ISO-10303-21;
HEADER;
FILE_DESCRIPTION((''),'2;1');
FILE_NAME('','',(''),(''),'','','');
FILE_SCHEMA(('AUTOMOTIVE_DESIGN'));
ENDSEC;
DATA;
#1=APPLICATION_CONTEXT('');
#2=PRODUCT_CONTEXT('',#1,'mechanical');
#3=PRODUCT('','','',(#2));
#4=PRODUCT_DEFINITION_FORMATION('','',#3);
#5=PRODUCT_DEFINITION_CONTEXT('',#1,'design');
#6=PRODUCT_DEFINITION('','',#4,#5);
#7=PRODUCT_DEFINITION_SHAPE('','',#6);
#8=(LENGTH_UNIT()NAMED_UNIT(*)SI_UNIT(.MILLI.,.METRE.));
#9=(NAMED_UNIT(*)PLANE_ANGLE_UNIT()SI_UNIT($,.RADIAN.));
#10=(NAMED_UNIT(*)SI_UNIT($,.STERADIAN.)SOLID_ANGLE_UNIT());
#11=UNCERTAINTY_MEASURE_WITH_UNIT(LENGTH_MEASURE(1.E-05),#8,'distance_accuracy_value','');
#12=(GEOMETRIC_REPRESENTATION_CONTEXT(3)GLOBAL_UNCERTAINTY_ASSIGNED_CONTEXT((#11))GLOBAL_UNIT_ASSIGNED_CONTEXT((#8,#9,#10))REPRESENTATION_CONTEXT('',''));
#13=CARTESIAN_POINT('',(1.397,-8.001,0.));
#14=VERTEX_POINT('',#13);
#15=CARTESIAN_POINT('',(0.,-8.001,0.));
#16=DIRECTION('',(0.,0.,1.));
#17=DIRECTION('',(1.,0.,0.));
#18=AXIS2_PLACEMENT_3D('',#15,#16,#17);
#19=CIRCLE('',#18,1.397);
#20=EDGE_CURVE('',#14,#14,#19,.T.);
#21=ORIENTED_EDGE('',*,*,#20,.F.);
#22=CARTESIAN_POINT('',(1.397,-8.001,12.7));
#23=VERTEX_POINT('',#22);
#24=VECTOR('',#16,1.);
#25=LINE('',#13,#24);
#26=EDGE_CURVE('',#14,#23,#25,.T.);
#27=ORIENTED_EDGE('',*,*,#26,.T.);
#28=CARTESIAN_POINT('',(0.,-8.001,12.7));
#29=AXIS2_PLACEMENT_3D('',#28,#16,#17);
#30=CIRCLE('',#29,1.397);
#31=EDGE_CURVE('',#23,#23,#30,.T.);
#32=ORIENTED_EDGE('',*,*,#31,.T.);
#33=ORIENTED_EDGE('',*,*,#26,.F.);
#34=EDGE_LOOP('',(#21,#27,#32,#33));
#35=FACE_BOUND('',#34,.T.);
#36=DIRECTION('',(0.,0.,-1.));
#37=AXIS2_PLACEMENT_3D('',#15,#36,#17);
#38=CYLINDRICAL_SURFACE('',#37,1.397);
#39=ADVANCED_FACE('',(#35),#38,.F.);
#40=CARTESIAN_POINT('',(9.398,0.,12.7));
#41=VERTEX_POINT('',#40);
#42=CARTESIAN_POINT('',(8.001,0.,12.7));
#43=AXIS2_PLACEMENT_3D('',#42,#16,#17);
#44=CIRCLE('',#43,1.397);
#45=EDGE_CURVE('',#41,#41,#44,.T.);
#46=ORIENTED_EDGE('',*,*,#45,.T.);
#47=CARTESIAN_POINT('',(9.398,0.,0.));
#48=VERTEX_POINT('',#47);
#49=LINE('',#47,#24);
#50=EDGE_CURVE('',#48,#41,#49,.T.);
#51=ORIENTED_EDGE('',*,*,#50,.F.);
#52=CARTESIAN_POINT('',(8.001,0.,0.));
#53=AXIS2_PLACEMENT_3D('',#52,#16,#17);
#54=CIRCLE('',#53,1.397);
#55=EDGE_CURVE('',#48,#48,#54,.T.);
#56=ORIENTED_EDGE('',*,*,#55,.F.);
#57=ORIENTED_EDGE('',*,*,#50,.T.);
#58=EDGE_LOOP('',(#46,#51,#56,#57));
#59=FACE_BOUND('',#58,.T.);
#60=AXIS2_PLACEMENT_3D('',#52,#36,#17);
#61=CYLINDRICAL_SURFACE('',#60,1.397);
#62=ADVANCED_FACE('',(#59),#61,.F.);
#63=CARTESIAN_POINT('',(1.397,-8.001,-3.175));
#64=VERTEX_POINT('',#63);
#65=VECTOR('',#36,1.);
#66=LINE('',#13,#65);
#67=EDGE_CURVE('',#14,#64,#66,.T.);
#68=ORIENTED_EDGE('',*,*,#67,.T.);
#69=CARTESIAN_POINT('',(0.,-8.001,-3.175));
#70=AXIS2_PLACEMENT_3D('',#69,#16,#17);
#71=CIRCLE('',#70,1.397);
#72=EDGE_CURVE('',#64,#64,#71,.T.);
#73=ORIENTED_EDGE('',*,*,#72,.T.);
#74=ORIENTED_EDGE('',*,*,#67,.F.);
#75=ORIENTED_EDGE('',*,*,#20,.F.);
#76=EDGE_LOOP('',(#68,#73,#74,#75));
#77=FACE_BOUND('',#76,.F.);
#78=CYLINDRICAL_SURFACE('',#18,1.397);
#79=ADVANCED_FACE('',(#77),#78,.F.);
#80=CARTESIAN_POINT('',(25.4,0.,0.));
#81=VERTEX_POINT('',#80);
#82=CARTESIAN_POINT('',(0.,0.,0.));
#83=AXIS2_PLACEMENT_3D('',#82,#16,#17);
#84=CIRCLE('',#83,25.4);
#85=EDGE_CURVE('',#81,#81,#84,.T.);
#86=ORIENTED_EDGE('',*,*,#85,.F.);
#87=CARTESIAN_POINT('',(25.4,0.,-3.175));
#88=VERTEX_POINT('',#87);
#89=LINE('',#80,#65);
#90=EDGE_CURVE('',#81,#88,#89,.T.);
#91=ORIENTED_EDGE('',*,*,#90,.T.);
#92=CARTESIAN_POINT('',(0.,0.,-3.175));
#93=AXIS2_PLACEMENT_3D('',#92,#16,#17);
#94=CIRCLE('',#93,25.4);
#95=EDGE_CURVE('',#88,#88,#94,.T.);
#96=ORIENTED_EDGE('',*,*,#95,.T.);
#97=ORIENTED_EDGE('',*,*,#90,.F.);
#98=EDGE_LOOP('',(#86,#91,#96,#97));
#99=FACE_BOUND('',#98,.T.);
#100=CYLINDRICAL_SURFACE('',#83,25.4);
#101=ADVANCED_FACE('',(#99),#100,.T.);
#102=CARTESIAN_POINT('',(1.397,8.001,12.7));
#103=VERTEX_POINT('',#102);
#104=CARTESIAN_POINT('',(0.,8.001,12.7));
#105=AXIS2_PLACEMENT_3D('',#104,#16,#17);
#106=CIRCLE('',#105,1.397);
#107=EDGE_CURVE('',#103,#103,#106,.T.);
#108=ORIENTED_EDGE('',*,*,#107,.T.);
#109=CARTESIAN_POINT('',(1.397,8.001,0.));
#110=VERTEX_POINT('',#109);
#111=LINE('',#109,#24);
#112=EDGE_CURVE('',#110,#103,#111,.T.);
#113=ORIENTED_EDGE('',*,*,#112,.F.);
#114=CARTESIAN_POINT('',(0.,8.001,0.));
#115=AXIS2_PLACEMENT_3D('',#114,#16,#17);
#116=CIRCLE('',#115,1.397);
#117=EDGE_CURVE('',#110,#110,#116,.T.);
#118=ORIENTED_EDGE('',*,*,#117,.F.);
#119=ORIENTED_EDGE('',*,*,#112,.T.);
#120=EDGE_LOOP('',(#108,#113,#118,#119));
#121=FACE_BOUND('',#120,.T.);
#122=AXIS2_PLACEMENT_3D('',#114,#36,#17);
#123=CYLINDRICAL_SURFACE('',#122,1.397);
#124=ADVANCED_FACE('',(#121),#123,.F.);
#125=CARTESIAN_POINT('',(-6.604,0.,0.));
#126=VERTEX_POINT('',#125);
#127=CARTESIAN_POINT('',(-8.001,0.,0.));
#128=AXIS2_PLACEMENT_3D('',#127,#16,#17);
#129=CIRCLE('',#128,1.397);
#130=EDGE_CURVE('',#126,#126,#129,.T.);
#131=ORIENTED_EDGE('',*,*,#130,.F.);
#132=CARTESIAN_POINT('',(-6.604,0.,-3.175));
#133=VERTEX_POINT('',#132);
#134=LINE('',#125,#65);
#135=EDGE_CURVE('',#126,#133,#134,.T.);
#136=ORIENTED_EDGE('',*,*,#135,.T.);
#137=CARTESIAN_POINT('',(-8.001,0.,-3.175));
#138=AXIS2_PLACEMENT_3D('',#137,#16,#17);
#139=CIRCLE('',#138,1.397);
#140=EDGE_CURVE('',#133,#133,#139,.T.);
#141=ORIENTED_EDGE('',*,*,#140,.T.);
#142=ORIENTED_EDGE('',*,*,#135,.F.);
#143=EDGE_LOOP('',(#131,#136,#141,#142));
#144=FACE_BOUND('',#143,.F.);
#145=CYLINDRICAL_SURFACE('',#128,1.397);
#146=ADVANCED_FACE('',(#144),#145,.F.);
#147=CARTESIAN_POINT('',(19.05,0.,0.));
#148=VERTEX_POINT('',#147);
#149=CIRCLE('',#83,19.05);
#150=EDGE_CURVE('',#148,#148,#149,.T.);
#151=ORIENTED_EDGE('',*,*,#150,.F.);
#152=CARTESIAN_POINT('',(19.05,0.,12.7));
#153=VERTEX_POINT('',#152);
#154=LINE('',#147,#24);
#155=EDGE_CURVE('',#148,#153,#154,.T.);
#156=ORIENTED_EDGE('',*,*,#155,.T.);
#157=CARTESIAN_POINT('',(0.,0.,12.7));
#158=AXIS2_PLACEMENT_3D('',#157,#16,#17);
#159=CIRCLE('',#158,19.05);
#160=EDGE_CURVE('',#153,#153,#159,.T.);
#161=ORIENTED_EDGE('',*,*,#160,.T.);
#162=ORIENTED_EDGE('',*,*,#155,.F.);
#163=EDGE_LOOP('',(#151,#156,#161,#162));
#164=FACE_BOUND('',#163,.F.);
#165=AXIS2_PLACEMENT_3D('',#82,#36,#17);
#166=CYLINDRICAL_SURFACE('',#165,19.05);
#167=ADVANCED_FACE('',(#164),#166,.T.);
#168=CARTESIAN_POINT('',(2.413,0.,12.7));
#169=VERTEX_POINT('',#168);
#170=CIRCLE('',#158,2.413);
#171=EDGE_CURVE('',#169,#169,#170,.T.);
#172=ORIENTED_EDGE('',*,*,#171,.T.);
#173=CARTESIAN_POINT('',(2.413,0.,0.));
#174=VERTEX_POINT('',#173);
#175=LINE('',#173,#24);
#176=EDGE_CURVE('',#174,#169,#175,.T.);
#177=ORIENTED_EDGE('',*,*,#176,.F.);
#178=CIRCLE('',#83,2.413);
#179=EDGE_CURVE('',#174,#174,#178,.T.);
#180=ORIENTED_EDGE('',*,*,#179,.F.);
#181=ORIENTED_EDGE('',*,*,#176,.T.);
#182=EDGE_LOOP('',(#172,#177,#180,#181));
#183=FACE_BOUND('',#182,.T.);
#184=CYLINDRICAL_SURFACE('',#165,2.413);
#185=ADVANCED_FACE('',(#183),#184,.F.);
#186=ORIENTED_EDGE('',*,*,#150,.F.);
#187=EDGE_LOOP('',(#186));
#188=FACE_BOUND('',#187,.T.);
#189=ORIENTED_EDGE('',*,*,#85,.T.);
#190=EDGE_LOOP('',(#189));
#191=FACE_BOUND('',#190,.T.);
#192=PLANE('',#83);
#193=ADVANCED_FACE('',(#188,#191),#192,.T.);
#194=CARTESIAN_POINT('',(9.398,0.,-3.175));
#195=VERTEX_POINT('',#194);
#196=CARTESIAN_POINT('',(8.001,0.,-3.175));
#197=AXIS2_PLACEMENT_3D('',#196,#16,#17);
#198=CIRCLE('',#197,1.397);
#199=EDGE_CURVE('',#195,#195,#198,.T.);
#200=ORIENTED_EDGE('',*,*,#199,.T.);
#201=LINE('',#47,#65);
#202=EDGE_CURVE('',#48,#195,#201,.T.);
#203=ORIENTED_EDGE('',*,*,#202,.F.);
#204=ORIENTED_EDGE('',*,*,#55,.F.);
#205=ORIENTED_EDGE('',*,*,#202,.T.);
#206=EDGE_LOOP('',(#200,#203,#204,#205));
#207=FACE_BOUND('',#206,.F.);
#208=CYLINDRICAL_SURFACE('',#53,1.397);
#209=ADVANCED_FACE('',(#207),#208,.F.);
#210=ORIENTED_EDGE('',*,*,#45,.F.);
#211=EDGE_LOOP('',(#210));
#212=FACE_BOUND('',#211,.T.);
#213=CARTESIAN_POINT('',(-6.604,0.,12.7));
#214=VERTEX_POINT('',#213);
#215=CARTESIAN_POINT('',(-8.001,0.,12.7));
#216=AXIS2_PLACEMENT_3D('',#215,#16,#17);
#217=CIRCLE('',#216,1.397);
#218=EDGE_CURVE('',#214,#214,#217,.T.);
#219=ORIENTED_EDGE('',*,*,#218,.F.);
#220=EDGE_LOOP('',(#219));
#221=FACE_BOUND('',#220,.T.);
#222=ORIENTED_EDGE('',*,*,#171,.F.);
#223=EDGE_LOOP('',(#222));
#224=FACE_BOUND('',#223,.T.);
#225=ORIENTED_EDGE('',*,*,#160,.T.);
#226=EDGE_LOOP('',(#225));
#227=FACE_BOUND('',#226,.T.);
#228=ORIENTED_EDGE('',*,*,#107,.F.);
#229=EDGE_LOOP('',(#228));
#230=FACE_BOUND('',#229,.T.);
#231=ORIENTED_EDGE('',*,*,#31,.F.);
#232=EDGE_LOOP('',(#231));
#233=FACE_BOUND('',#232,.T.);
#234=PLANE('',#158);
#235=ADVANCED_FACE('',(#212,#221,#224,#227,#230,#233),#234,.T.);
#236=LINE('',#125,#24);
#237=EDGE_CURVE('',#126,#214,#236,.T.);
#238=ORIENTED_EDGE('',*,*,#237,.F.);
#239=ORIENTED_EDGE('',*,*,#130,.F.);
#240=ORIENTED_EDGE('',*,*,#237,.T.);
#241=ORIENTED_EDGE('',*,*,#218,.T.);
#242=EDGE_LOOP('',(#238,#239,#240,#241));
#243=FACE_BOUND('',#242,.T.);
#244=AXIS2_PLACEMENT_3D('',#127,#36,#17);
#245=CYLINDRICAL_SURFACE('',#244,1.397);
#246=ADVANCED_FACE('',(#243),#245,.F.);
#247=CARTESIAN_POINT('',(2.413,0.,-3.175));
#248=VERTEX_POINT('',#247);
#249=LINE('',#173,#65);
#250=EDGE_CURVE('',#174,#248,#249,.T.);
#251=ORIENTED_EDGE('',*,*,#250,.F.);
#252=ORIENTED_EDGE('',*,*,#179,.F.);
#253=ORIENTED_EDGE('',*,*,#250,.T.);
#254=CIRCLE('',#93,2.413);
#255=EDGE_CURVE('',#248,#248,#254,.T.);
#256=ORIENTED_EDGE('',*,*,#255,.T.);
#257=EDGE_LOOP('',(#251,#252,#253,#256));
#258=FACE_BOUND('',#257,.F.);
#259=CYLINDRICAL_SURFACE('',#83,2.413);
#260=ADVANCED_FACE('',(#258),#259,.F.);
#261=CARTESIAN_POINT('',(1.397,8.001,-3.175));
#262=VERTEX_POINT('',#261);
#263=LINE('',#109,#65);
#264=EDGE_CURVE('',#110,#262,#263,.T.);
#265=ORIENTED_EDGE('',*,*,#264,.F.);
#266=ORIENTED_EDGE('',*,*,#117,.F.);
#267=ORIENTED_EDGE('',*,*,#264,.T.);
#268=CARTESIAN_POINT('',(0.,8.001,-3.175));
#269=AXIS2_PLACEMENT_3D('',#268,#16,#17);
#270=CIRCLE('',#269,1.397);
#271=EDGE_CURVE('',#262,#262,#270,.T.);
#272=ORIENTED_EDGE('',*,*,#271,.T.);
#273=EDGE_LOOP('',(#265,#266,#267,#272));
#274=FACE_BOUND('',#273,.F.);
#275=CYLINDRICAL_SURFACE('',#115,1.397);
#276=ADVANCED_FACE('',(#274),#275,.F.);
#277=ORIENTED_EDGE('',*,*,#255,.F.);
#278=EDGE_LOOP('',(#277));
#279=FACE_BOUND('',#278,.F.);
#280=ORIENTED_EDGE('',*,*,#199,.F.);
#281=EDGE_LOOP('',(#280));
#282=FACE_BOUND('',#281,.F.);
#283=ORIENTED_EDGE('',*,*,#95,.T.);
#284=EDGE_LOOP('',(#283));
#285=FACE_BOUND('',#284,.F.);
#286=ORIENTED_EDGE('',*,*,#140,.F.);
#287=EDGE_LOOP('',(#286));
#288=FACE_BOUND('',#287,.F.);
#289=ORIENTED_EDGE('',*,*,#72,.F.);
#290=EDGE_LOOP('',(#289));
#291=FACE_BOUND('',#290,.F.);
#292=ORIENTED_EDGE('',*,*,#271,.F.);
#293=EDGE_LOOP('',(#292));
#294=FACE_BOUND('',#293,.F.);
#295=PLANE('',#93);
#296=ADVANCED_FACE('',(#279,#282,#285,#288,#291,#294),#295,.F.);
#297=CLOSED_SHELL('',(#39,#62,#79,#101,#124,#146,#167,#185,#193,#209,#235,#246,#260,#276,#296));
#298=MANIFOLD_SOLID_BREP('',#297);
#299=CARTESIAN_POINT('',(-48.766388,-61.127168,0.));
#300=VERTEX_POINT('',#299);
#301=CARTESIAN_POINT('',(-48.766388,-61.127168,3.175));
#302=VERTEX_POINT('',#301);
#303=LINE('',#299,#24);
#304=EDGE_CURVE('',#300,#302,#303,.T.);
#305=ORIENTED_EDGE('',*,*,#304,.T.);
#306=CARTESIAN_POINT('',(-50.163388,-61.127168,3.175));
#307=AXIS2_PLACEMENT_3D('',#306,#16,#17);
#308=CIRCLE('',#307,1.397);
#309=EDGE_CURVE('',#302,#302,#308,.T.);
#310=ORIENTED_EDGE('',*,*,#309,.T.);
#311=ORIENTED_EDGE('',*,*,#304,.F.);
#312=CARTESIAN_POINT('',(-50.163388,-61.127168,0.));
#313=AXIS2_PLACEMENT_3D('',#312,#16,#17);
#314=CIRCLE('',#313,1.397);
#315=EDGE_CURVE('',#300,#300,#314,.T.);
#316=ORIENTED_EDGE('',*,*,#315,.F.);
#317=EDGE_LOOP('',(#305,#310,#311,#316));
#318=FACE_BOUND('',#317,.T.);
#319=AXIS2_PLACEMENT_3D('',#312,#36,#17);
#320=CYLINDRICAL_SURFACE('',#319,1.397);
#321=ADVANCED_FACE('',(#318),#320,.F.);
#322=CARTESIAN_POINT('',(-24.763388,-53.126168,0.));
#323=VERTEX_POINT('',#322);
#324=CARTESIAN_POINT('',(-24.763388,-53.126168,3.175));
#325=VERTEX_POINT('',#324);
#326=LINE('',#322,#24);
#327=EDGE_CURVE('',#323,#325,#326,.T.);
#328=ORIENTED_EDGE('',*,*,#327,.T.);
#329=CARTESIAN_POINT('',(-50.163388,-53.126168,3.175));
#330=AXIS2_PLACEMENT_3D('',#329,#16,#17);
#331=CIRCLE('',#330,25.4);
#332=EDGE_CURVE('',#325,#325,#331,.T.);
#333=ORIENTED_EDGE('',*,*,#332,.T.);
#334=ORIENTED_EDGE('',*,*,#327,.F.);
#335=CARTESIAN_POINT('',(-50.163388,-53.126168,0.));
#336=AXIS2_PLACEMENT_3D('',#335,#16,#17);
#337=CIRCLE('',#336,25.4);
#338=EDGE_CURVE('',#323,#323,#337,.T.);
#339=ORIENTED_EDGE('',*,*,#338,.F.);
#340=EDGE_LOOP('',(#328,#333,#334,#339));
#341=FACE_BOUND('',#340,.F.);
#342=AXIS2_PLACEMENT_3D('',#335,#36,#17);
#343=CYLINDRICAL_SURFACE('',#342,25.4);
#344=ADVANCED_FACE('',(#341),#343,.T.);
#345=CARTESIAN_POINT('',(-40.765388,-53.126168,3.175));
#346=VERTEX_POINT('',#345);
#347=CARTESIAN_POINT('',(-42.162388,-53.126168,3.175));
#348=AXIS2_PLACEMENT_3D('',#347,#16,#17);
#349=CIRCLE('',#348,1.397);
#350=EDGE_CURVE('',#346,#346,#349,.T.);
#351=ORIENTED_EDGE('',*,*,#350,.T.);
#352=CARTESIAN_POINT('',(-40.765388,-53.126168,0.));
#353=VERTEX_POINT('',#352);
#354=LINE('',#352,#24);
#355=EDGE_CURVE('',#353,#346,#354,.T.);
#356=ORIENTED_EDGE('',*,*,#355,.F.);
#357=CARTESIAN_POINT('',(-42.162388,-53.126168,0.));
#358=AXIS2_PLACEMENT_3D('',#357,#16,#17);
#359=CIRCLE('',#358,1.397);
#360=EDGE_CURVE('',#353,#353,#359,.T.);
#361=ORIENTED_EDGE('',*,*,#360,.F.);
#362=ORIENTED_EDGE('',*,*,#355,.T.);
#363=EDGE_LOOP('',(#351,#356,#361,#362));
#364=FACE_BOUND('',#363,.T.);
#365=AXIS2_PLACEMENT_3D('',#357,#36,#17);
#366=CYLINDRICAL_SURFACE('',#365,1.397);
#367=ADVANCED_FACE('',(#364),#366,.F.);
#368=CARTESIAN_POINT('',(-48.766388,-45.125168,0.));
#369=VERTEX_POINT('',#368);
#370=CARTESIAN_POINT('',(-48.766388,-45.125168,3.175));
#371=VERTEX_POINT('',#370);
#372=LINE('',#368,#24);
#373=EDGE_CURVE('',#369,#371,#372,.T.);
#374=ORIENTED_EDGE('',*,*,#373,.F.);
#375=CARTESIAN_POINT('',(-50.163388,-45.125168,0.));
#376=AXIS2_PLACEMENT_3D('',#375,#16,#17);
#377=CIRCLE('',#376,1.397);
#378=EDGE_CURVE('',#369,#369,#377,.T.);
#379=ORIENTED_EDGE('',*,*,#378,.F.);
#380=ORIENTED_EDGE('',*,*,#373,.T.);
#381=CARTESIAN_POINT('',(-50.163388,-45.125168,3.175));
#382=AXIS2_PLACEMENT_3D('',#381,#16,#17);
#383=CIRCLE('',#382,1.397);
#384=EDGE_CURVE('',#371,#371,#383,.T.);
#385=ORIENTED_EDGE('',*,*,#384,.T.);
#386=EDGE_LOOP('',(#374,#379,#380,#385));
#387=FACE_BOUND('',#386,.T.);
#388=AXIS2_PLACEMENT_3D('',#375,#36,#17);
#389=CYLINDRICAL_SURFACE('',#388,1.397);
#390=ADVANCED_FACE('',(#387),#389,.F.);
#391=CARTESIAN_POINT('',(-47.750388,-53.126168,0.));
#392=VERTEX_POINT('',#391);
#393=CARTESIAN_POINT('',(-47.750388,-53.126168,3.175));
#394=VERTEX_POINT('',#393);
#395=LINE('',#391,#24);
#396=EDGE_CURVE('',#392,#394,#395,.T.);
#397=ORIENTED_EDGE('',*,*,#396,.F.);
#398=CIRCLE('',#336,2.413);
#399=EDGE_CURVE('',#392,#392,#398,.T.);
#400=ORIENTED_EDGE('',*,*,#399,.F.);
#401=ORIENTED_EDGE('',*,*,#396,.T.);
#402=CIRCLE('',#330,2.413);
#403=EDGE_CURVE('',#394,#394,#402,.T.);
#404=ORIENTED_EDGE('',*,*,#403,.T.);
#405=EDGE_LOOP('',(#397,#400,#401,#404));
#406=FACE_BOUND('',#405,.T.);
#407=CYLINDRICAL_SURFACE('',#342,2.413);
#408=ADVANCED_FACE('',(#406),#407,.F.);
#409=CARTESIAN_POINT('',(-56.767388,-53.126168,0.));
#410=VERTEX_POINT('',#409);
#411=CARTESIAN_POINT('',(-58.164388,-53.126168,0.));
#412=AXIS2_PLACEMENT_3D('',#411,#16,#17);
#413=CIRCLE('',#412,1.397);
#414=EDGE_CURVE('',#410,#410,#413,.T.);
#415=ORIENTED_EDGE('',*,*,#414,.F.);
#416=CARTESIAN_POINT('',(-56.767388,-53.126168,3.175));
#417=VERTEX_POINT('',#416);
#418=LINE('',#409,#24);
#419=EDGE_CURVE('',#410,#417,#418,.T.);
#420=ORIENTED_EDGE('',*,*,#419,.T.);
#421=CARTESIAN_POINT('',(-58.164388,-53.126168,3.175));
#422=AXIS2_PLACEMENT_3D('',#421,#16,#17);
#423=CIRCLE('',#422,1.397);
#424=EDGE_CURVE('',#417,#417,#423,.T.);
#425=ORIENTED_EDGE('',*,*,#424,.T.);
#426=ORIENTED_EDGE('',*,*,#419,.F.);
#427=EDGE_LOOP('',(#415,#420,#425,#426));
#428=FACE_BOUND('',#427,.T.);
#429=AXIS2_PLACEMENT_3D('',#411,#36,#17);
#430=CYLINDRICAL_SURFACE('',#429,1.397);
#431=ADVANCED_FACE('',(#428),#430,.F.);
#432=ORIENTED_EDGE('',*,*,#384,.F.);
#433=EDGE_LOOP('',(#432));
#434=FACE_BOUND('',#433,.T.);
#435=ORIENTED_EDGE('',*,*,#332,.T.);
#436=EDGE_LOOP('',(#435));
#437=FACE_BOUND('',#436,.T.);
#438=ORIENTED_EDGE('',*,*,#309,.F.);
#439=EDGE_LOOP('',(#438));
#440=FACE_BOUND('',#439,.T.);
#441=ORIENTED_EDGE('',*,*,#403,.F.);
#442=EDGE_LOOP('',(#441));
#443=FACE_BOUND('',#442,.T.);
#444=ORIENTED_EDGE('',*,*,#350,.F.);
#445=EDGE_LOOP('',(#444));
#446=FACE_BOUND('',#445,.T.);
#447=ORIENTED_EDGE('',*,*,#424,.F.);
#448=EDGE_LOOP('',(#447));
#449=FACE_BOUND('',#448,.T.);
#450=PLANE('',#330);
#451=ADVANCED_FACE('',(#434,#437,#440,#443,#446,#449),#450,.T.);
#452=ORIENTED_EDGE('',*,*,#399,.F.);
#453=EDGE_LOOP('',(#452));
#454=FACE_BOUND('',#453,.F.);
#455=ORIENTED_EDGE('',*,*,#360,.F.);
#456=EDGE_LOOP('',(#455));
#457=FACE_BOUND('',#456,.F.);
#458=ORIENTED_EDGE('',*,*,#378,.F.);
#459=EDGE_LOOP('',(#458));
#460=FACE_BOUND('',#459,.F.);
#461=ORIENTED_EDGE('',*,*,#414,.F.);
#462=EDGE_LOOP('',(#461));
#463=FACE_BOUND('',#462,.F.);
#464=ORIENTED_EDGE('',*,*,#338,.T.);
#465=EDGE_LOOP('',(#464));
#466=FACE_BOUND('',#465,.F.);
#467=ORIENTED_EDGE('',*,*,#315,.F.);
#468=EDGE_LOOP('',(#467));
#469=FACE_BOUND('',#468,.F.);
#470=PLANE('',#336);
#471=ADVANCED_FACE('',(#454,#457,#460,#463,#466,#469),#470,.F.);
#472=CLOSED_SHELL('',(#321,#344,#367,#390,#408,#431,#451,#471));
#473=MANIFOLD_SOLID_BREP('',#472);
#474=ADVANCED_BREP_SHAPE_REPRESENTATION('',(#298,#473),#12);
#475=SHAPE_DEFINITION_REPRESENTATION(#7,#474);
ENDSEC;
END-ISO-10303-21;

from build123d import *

# Parameters (mm, degrees)
F0_R     = 19.05
F0_R_2   = 1.397
F0_R_3   = 2.413
F1_DEPTH = 12.7
F0_R_4   = 25.4
F2_DEPTH = 3.175
F3_R     = 25.4
F3_R_2   = 19.05
F3_R_3   = 1.397
F3_R_4   = 2.413
F4_DEPTH = 3.175


with BuildPart() as f1:
    # F0 (on Top) → F1 (new body)
    with BuildSketch(Plane.XY):
        Circle(F0_R)
        with Locations((0, -8.001)):
            Circle(F0_R_2, mode=Mode.SUBTRACT)
        with Locations((-8.001, 0)):
            Circle(F0_R_2, mode=Mode.SUBTRACT)
        Circle(F0_R_3, mode=Mode.SUBTRACT)
        with Locations((8.001, 0)):
            Circle(F0_R_2, mode=Mode.SUBTRACT)
        with Locations((0, 8.001)):
            Circle(F0_R_2, mode=Mode.SUBTRACT)
    extrude(amount=F1_DEPTH)

    # F0 (on Top) → F2 (join)
    with BuildSketch(Plane.XY):
        Circle(F0_R_4)
        Circle(F0_R, mode=Mode.SUBTRACT)
        Circle(F0_R)
        with Locations((0, -8.001)):
            Circle(F0_R_2, mode=Mode.SUBTRACT)
        with Locations((-8.001, 0)):
            Circle(F0_R_2, mode=Mode.SUBTRACT)
        Circle(F0_R_3, mode=Mode.SUBTRACT)
        with Locations((8.001, 0)):
            Circle(F0_R_2, mode=Mode.SUBTRACT)
        with Locations((0, 8.001)):
            Circle(F0_R_2, mode=Mode.SUBTRACT)
    extrude(amount=-F2_DEPTH)


with BuildPart() as f4:
    # F3 (on Top) → F4 (new body)
    with BuildSketch(Plane.XY):
        with Locations((-50.1633882523, -53.126167506)):
            Circle(F3_R)
        with Locations((-50.1633882523, -53.126167506)):
            Circle(F3_R_2, mode=Mode.SUBTRACT)
        with Locations((-50.1633882523, -53.126167506)):
            Circle(F3_R_2)
        with Locations((-50.1633882523, -61.127167506)):
            Circle(F3_R_3, mode=Mode.SUBTRACT)
        with Locations((-58.1643882523, -53.126167506)):
            Circle(F3_R_3, mode=Mode.SUBTRACT)
        with Locations((-50.1633882523, -53.126167506)):
            Circle(F3_R_4, mode=Mode.SUBTRACT)
        with Locations((-42.1623882523, -53.126167506)):
            Circle(F3_R_3, mode=Mode.SUBTRACT)
        with Locations((-50.1633882523, -45.125167506)):
            Circle(F3_R_3, mode=Mode.SUBTRACT)
    extrude(amount=F4_DEPTH)


solid = Compound([f1.part, f4.part])
